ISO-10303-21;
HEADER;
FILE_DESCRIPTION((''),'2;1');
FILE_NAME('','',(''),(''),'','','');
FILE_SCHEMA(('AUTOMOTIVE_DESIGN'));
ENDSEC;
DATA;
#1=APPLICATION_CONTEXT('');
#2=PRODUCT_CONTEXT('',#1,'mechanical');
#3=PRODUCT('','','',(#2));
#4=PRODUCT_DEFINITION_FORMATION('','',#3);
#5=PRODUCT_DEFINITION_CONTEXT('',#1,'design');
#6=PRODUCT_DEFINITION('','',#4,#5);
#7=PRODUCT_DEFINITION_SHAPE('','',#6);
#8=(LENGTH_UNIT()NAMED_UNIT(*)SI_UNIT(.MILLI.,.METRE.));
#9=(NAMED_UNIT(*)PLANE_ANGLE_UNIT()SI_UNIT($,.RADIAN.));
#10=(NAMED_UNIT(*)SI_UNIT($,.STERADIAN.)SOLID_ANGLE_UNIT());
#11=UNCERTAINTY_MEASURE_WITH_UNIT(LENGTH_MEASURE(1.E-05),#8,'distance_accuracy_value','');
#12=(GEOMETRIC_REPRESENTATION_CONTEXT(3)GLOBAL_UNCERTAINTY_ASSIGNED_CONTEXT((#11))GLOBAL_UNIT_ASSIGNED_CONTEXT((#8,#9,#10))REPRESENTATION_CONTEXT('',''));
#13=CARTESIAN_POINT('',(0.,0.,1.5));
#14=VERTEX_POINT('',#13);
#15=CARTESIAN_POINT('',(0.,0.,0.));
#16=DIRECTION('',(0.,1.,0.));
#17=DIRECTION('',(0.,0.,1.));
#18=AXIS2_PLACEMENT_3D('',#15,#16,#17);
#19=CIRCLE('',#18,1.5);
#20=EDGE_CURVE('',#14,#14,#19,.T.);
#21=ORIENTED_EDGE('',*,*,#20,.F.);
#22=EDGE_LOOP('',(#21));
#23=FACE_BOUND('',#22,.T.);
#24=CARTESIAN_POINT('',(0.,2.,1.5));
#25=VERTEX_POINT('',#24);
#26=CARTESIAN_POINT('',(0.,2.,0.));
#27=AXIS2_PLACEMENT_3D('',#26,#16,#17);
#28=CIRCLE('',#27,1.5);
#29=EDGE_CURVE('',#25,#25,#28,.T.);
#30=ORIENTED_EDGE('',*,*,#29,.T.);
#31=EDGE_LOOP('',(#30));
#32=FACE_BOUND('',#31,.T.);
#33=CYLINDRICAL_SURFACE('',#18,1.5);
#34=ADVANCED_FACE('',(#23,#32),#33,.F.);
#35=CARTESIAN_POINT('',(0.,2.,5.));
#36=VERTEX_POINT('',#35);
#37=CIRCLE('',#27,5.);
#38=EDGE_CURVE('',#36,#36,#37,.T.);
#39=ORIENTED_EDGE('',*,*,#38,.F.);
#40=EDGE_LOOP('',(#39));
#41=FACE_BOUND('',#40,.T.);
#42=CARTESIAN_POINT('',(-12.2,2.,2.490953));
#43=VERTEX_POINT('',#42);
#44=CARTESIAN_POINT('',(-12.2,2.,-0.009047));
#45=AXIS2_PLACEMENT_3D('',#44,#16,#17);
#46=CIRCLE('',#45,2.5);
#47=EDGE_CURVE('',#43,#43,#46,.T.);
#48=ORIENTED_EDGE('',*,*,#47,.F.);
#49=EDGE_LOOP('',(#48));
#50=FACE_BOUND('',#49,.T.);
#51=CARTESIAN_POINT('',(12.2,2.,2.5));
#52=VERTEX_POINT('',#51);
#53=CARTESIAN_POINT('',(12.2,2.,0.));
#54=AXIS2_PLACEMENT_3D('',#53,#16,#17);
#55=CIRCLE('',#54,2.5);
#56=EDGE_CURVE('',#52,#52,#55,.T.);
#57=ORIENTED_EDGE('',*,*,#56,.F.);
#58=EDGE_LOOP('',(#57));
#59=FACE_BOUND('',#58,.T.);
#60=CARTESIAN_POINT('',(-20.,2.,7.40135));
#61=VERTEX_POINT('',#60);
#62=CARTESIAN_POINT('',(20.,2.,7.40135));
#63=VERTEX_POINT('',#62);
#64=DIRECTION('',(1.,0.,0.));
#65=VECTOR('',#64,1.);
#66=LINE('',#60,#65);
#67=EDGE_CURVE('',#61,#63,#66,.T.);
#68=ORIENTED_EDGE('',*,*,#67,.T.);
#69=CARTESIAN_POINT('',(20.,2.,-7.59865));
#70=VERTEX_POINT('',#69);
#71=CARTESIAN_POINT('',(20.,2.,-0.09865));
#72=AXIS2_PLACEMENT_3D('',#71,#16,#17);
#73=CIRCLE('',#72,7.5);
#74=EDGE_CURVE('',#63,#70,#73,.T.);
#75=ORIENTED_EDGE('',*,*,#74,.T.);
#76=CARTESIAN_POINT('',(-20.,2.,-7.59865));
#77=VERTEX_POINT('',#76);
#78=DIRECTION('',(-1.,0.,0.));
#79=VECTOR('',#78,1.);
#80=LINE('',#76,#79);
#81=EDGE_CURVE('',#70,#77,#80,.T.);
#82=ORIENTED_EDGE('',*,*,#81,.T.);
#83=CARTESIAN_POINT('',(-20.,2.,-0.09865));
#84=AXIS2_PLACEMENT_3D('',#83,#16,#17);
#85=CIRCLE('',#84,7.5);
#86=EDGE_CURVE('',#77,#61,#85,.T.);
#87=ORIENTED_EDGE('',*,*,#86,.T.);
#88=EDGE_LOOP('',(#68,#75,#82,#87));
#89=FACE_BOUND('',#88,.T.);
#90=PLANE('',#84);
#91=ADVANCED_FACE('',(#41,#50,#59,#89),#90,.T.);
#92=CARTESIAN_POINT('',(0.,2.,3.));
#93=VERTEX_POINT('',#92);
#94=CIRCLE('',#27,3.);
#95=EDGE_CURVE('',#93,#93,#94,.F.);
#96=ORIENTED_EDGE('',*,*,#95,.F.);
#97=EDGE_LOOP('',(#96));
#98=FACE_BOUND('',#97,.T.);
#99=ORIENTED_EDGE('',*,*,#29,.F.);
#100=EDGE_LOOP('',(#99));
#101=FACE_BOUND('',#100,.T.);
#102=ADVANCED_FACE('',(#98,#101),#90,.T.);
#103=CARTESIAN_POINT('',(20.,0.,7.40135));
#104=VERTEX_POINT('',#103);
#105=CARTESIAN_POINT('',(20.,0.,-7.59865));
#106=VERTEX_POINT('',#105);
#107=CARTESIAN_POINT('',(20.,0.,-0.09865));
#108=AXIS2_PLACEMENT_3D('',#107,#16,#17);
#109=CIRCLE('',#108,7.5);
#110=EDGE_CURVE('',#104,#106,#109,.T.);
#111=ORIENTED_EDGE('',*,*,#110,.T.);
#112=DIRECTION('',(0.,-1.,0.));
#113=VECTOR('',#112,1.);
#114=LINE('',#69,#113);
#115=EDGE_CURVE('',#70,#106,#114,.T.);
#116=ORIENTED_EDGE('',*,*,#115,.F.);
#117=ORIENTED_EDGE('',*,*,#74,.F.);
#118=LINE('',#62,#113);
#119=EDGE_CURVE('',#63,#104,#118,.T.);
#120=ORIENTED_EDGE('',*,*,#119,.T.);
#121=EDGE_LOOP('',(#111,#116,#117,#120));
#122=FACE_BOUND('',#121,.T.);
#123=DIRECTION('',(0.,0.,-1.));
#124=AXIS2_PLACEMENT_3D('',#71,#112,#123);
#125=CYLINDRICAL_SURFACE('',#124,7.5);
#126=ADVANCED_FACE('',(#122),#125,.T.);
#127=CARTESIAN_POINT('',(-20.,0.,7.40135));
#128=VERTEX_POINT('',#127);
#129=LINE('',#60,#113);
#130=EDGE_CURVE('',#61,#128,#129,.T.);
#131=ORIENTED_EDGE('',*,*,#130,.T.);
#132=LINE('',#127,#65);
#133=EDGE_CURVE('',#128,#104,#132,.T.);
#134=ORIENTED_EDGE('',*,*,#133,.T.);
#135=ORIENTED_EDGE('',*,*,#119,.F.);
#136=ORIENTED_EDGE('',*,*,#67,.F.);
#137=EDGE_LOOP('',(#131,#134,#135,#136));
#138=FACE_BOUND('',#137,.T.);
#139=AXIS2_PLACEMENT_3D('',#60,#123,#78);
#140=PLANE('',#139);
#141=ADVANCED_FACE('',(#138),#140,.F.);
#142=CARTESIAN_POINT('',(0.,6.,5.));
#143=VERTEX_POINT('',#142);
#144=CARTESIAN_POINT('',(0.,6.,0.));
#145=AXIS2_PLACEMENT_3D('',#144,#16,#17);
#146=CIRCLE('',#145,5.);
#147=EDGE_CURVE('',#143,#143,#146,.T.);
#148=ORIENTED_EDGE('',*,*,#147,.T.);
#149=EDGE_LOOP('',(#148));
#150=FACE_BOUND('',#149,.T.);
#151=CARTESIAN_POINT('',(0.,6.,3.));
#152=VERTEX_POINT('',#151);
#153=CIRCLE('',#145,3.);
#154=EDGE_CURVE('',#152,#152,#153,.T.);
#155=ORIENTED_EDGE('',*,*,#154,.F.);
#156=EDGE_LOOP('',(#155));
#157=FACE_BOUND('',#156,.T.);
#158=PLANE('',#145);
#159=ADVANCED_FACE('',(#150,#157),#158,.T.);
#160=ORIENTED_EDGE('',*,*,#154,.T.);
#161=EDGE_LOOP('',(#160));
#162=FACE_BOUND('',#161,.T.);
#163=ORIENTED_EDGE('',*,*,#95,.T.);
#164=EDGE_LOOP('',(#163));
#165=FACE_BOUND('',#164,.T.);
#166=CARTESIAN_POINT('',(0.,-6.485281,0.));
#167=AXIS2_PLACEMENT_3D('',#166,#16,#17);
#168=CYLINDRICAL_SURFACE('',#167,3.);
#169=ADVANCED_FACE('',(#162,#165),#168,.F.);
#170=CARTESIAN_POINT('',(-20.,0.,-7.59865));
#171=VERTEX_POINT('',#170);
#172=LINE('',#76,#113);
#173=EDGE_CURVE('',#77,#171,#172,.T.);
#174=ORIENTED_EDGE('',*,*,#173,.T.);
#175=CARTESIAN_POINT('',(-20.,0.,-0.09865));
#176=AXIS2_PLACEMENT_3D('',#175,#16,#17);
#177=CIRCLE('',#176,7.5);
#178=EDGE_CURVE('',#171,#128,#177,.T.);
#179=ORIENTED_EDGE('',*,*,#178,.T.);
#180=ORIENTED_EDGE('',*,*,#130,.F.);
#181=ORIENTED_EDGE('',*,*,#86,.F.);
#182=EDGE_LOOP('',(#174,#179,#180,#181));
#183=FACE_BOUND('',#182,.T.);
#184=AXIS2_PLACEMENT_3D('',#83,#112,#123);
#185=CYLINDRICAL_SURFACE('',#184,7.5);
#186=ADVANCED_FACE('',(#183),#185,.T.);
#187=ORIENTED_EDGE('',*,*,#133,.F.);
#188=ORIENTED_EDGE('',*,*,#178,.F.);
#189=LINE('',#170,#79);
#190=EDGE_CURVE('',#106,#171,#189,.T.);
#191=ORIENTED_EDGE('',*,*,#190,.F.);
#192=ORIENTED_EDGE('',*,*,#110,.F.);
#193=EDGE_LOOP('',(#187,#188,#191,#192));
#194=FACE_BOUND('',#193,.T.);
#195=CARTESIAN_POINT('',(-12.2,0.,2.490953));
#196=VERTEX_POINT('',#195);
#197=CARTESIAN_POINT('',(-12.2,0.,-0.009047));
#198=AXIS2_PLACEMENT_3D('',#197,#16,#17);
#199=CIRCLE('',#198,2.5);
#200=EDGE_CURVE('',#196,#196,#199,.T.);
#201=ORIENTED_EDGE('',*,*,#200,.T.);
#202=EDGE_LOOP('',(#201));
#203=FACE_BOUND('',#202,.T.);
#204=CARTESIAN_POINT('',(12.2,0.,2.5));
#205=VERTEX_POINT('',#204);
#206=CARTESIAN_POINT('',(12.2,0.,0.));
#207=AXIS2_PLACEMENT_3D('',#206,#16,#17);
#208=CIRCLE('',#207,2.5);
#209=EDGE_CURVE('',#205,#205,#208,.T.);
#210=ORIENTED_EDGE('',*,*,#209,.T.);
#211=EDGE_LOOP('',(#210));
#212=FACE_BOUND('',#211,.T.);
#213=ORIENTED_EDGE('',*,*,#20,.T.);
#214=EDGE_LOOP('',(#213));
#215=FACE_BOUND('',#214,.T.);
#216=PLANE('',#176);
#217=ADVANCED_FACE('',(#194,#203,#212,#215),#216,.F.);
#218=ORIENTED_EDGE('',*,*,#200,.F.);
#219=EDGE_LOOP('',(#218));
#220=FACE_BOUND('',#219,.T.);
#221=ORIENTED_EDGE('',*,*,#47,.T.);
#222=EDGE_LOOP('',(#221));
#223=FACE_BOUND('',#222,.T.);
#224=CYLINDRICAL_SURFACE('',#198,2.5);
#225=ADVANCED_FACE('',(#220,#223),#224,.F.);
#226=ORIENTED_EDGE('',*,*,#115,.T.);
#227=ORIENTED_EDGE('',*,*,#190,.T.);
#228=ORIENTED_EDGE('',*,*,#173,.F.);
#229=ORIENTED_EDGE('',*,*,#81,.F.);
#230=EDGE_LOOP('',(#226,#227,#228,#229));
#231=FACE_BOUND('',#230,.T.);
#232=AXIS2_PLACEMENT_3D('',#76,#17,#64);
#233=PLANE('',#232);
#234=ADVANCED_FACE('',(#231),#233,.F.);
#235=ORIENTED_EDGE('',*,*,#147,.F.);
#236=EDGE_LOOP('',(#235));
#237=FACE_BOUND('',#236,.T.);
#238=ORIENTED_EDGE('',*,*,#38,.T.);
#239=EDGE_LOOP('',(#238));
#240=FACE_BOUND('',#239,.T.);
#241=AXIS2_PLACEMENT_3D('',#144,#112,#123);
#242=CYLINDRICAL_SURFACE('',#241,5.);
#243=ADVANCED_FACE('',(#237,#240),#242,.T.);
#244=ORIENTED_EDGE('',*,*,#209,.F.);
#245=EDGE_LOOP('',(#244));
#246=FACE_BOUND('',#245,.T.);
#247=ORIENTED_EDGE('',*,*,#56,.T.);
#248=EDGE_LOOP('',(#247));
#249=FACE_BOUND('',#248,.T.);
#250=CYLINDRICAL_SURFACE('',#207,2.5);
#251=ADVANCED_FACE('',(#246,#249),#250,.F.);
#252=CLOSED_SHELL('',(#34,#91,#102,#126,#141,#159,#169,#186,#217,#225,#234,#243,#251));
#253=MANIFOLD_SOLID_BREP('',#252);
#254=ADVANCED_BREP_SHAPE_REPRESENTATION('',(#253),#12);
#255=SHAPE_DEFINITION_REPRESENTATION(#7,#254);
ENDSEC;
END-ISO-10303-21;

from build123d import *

# Parameters (mm, degrees)
BOSS_EXTRUDE1_DEPTH = 2
SKETCH2_R           = 5
BOSS_EXTRUDE3_DEPTH = 4
SKETCH5_R           = 3
CUT_EXTRUDE1_DEPTH  = 4
SKETCH6_R           = 1.5
CUT_EXTRUDE2_DEPTH  = 2
SKETCH8_R           = 2.5
CUT_EXTRUDE3_DEPTH  = 3
SKETCH7_R           = 2.5
CUT_EXTRUDE4_DEPTH  = 3


with BuildPart() as part:
    # Sketch1 → Boss-Extrude1 (new body)
    with BuildSketch(Plane(origin=(0, 0, 0), x_dir=(1, 0, 0), z_dir=(0, 1, 0))):
        with BuildLine():
            Line((-20, 7.598649923), (20, 7.598649923))
            ThreePointArc((20, 7.598649923), (27.5, 0.098649923), (20, -7.401350077))
            Line((20, -7.401350077), (-20, -7.401350077))
            ThreePointArc((-20, -7.401350077), (-27.5, 0.098649923), (-20, 7.598649923))
        make_face()
    extrude(amount=BOSS_EXTRUDE1_DEPTH)

    # Sketch2 → Boss-Extrude3 (add)
    with BuildSketch(Plane(origin=(0, 2, 0), x_dir=(1, 0, 0), z_dir=(0, 1, 0))):
        Circle(SKETCH2_R)
    extrude(amount=BOSS_EXTRUDE3_DEPTH)

    # Sketch5 → Cut-Extrude1 (cut)
    with BuildSketch(Plane(origin=(0, 6, 0), x_dir=(1, 0, 0), z_dir=(0, 1, 0))):
        Circle(SKETCH5_R)
    extrude(amount=-CUT_EXTRUDE1_DEPTH, mode=Mode.SUBTRACT)

    # Sketch6 → Cut-Extrude2 (cut)
    with BuildSketch(Plane(origin=(0, 2, 0), x_dir=(1, 0, 0), z_dir=(0, 1, 0))):
        Circle(SKETCH6_R)
    extrude(amount=-CUT_EXTRUDE2_DEPTH, mode=Mode.SUBTRACT)

    # Sketch8 → Cut-Extrude3 (cut, through all)
    with BuildSketch(Plane(origin=(0, 2, 0), x_dir=(1, 0, 0), z_dir=(0, 1, 0))):
        with Locations((-12.2, 0.009046723)):
            Circle(SKETCH8_R)
    extrude(amount=-CUT_EXTRUDE3_DEPTH, mode=Mode.SUBTRACT)

    # Sketch7 → Cut-Extrude4 (cut, through all)
    with BuildSketch(Plane(origin=(0, 2, 0), x_dir=(1, 0, 0), z_dir=(0, 1, 0))):
        with Locations((12.2, 0)):
            Circle(SKETCH7_R)
    extrude(amount=-CUT_EXTRUDE4_DEPTH, mode=Mode.SUBTRACT)


solid = part.part
